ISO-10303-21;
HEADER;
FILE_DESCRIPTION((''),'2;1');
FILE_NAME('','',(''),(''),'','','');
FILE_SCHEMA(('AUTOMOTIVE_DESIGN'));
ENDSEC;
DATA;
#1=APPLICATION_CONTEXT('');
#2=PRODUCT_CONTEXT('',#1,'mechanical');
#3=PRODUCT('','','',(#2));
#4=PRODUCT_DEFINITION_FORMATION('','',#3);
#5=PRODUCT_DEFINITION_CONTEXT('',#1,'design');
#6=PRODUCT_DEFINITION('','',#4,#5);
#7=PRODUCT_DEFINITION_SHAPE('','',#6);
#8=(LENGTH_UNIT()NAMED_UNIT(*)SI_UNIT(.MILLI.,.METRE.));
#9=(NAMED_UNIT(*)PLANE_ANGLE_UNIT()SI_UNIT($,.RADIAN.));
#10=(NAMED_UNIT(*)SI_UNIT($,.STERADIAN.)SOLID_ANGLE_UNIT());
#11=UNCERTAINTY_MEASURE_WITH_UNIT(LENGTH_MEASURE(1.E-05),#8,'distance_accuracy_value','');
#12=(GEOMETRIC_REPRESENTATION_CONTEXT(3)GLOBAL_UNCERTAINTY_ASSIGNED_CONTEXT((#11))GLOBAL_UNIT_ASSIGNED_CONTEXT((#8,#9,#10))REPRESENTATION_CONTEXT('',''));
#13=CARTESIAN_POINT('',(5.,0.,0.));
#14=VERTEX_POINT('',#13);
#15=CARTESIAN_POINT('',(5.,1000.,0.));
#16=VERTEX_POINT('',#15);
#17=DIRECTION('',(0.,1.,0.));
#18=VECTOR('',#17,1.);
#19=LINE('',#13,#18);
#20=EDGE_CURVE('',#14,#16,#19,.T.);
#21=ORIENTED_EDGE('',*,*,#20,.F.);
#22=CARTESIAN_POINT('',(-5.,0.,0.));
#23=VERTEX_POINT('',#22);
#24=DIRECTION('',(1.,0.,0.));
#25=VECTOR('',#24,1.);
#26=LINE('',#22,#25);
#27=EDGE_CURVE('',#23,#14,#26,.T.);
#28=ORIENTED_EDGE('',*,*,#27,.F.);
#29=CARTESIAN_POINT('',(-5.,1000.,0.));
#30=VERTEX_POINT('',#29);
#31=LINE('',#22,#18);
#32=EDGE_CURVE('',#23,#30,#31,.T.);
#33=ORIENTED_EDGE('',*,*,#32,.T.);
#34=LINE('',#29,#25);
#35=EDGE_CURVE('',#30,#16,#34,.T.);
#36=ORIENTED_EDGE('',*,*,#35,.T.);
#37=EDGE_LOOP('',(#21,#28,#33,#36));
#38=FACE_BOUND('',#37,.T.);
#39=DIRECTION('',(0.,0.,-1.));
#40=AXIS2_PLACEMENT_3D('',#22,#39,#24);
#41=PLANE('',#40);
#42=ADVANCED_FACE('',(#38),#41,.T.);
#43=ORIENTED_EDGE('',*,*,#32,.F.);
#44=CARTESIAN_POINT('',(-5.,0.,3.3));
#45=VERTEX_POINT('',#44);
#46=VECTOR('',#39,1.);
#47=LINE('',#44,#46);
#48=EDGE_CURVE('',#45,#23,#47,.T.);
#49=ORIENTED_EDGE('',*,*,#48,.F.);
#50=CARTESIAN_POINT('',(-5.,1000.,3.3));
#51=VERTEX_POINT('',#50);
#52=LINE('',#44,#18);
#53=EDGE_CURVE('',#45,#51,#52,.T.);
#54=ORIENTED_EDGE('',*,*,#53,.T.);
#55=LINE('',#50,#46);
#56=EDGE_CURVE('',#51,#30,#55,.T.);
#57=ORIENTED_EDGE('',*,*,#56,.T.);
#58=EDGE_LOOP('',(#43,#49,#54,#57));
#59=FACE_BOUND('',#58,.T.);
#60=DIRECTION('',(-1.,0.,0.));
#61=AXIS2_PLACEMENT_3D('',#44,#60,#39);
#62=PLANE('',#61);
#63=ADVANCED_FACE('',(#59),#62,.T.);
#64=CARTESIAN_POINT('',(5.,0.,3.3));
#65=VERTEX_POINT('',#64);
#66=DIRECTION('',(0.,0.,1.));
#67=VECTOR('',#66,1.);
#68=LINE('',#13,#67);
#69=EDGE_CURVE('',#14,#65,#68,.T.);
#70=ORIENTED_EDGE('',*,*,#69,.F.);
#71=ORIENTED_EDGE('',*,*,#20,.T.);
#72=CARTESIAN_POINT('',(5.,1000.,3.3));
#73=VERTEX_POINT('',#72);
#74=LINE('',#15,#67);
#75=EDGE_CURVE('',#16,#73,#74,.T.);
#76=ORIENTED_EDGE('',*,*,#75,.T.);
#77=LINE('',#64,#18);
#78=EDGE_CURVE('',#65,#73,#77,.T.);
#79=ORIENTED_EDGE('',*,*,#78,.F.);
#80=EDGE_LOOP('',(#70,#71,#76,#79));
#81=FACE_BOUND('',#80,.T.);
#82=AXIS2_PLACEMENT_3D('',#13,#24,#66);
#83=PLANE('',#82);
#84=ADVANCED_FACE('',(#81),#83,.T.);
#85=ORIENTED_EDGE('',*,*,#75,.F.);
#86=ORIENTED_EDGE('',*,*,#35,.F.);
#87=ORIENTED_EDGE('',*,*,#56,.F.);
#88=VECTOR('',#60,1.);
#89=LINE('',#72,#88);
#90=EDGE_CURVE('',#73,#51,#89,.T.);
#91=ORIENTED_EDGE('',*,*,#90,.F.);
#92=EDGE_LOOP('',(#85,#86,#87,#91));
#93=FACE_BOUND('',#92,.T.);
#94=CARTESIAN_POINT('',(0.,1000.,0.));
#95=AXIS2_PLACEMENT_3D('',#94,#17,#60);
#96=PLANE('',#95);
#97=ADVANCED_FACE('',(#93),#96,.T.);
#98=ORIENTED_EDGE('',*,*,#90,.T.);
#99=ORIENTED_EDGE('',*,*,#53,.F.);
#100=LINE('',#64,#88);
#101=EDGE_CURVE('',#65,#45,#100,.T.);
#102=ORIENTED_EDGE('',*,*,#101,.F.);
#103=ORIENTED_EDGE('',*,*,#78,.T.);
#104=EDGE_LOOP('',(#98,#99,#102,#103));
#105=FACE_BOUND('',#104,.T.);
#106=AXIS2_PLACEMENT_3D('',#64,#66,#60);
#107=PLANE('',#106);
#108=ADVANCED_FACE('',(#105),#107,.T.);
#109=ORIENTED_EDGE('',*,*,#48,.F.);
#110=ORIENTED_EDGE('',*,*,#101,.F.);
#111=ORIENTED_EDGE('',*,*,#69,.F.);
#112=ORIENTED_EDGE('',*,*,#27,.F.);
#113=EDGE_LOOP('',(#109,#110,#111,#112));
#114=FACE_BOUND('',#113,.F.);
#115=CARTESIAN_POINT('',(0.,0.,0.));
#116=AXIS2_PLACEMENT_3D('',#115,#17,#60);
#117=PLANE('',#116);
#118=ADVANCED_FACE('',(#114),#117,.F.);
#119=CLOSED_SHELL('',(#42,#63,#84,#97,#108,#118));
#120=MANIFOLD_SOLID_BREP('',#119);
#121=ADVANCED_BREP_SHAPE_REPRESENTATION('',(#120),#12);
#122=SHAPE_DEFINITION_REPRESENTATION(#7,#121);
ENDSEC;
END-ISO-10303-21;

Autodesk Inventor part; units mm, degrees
ref_plane "YZ Plane" through (0, 0, 0) normal (1, 0, 0) x (0, 1, 0)
ref_plane "XZ Plane" through (0, 0, 0) normal (0, 1, 0) x (-1, 0, 0)
ref_plane "XY Plane" through (0, 0, 0) normal (0, 0, 1) x (1, 0, 0)
sketch "スケッチ1" plane through (0, 0, 0) normal (0, 1, 0) x (-1, 0, 0)
  line L0 (-5, 3.3) -> (5, 3.3)
  line L1 (5, 3.3) -> (5, 0)
  line L2 (5, 0) -> (-5, 0)
  line L3 (-5, 0) -> (-5, 3.3)
  point P0 (0, 0)
  point P1 (0, 0)
  dimension "d0" = 10
  dimension "d1" = 3.3
extrude "押し出し1" add sketch "スケッチ1" along normal blind 1000
properties part number "フレキラック"
